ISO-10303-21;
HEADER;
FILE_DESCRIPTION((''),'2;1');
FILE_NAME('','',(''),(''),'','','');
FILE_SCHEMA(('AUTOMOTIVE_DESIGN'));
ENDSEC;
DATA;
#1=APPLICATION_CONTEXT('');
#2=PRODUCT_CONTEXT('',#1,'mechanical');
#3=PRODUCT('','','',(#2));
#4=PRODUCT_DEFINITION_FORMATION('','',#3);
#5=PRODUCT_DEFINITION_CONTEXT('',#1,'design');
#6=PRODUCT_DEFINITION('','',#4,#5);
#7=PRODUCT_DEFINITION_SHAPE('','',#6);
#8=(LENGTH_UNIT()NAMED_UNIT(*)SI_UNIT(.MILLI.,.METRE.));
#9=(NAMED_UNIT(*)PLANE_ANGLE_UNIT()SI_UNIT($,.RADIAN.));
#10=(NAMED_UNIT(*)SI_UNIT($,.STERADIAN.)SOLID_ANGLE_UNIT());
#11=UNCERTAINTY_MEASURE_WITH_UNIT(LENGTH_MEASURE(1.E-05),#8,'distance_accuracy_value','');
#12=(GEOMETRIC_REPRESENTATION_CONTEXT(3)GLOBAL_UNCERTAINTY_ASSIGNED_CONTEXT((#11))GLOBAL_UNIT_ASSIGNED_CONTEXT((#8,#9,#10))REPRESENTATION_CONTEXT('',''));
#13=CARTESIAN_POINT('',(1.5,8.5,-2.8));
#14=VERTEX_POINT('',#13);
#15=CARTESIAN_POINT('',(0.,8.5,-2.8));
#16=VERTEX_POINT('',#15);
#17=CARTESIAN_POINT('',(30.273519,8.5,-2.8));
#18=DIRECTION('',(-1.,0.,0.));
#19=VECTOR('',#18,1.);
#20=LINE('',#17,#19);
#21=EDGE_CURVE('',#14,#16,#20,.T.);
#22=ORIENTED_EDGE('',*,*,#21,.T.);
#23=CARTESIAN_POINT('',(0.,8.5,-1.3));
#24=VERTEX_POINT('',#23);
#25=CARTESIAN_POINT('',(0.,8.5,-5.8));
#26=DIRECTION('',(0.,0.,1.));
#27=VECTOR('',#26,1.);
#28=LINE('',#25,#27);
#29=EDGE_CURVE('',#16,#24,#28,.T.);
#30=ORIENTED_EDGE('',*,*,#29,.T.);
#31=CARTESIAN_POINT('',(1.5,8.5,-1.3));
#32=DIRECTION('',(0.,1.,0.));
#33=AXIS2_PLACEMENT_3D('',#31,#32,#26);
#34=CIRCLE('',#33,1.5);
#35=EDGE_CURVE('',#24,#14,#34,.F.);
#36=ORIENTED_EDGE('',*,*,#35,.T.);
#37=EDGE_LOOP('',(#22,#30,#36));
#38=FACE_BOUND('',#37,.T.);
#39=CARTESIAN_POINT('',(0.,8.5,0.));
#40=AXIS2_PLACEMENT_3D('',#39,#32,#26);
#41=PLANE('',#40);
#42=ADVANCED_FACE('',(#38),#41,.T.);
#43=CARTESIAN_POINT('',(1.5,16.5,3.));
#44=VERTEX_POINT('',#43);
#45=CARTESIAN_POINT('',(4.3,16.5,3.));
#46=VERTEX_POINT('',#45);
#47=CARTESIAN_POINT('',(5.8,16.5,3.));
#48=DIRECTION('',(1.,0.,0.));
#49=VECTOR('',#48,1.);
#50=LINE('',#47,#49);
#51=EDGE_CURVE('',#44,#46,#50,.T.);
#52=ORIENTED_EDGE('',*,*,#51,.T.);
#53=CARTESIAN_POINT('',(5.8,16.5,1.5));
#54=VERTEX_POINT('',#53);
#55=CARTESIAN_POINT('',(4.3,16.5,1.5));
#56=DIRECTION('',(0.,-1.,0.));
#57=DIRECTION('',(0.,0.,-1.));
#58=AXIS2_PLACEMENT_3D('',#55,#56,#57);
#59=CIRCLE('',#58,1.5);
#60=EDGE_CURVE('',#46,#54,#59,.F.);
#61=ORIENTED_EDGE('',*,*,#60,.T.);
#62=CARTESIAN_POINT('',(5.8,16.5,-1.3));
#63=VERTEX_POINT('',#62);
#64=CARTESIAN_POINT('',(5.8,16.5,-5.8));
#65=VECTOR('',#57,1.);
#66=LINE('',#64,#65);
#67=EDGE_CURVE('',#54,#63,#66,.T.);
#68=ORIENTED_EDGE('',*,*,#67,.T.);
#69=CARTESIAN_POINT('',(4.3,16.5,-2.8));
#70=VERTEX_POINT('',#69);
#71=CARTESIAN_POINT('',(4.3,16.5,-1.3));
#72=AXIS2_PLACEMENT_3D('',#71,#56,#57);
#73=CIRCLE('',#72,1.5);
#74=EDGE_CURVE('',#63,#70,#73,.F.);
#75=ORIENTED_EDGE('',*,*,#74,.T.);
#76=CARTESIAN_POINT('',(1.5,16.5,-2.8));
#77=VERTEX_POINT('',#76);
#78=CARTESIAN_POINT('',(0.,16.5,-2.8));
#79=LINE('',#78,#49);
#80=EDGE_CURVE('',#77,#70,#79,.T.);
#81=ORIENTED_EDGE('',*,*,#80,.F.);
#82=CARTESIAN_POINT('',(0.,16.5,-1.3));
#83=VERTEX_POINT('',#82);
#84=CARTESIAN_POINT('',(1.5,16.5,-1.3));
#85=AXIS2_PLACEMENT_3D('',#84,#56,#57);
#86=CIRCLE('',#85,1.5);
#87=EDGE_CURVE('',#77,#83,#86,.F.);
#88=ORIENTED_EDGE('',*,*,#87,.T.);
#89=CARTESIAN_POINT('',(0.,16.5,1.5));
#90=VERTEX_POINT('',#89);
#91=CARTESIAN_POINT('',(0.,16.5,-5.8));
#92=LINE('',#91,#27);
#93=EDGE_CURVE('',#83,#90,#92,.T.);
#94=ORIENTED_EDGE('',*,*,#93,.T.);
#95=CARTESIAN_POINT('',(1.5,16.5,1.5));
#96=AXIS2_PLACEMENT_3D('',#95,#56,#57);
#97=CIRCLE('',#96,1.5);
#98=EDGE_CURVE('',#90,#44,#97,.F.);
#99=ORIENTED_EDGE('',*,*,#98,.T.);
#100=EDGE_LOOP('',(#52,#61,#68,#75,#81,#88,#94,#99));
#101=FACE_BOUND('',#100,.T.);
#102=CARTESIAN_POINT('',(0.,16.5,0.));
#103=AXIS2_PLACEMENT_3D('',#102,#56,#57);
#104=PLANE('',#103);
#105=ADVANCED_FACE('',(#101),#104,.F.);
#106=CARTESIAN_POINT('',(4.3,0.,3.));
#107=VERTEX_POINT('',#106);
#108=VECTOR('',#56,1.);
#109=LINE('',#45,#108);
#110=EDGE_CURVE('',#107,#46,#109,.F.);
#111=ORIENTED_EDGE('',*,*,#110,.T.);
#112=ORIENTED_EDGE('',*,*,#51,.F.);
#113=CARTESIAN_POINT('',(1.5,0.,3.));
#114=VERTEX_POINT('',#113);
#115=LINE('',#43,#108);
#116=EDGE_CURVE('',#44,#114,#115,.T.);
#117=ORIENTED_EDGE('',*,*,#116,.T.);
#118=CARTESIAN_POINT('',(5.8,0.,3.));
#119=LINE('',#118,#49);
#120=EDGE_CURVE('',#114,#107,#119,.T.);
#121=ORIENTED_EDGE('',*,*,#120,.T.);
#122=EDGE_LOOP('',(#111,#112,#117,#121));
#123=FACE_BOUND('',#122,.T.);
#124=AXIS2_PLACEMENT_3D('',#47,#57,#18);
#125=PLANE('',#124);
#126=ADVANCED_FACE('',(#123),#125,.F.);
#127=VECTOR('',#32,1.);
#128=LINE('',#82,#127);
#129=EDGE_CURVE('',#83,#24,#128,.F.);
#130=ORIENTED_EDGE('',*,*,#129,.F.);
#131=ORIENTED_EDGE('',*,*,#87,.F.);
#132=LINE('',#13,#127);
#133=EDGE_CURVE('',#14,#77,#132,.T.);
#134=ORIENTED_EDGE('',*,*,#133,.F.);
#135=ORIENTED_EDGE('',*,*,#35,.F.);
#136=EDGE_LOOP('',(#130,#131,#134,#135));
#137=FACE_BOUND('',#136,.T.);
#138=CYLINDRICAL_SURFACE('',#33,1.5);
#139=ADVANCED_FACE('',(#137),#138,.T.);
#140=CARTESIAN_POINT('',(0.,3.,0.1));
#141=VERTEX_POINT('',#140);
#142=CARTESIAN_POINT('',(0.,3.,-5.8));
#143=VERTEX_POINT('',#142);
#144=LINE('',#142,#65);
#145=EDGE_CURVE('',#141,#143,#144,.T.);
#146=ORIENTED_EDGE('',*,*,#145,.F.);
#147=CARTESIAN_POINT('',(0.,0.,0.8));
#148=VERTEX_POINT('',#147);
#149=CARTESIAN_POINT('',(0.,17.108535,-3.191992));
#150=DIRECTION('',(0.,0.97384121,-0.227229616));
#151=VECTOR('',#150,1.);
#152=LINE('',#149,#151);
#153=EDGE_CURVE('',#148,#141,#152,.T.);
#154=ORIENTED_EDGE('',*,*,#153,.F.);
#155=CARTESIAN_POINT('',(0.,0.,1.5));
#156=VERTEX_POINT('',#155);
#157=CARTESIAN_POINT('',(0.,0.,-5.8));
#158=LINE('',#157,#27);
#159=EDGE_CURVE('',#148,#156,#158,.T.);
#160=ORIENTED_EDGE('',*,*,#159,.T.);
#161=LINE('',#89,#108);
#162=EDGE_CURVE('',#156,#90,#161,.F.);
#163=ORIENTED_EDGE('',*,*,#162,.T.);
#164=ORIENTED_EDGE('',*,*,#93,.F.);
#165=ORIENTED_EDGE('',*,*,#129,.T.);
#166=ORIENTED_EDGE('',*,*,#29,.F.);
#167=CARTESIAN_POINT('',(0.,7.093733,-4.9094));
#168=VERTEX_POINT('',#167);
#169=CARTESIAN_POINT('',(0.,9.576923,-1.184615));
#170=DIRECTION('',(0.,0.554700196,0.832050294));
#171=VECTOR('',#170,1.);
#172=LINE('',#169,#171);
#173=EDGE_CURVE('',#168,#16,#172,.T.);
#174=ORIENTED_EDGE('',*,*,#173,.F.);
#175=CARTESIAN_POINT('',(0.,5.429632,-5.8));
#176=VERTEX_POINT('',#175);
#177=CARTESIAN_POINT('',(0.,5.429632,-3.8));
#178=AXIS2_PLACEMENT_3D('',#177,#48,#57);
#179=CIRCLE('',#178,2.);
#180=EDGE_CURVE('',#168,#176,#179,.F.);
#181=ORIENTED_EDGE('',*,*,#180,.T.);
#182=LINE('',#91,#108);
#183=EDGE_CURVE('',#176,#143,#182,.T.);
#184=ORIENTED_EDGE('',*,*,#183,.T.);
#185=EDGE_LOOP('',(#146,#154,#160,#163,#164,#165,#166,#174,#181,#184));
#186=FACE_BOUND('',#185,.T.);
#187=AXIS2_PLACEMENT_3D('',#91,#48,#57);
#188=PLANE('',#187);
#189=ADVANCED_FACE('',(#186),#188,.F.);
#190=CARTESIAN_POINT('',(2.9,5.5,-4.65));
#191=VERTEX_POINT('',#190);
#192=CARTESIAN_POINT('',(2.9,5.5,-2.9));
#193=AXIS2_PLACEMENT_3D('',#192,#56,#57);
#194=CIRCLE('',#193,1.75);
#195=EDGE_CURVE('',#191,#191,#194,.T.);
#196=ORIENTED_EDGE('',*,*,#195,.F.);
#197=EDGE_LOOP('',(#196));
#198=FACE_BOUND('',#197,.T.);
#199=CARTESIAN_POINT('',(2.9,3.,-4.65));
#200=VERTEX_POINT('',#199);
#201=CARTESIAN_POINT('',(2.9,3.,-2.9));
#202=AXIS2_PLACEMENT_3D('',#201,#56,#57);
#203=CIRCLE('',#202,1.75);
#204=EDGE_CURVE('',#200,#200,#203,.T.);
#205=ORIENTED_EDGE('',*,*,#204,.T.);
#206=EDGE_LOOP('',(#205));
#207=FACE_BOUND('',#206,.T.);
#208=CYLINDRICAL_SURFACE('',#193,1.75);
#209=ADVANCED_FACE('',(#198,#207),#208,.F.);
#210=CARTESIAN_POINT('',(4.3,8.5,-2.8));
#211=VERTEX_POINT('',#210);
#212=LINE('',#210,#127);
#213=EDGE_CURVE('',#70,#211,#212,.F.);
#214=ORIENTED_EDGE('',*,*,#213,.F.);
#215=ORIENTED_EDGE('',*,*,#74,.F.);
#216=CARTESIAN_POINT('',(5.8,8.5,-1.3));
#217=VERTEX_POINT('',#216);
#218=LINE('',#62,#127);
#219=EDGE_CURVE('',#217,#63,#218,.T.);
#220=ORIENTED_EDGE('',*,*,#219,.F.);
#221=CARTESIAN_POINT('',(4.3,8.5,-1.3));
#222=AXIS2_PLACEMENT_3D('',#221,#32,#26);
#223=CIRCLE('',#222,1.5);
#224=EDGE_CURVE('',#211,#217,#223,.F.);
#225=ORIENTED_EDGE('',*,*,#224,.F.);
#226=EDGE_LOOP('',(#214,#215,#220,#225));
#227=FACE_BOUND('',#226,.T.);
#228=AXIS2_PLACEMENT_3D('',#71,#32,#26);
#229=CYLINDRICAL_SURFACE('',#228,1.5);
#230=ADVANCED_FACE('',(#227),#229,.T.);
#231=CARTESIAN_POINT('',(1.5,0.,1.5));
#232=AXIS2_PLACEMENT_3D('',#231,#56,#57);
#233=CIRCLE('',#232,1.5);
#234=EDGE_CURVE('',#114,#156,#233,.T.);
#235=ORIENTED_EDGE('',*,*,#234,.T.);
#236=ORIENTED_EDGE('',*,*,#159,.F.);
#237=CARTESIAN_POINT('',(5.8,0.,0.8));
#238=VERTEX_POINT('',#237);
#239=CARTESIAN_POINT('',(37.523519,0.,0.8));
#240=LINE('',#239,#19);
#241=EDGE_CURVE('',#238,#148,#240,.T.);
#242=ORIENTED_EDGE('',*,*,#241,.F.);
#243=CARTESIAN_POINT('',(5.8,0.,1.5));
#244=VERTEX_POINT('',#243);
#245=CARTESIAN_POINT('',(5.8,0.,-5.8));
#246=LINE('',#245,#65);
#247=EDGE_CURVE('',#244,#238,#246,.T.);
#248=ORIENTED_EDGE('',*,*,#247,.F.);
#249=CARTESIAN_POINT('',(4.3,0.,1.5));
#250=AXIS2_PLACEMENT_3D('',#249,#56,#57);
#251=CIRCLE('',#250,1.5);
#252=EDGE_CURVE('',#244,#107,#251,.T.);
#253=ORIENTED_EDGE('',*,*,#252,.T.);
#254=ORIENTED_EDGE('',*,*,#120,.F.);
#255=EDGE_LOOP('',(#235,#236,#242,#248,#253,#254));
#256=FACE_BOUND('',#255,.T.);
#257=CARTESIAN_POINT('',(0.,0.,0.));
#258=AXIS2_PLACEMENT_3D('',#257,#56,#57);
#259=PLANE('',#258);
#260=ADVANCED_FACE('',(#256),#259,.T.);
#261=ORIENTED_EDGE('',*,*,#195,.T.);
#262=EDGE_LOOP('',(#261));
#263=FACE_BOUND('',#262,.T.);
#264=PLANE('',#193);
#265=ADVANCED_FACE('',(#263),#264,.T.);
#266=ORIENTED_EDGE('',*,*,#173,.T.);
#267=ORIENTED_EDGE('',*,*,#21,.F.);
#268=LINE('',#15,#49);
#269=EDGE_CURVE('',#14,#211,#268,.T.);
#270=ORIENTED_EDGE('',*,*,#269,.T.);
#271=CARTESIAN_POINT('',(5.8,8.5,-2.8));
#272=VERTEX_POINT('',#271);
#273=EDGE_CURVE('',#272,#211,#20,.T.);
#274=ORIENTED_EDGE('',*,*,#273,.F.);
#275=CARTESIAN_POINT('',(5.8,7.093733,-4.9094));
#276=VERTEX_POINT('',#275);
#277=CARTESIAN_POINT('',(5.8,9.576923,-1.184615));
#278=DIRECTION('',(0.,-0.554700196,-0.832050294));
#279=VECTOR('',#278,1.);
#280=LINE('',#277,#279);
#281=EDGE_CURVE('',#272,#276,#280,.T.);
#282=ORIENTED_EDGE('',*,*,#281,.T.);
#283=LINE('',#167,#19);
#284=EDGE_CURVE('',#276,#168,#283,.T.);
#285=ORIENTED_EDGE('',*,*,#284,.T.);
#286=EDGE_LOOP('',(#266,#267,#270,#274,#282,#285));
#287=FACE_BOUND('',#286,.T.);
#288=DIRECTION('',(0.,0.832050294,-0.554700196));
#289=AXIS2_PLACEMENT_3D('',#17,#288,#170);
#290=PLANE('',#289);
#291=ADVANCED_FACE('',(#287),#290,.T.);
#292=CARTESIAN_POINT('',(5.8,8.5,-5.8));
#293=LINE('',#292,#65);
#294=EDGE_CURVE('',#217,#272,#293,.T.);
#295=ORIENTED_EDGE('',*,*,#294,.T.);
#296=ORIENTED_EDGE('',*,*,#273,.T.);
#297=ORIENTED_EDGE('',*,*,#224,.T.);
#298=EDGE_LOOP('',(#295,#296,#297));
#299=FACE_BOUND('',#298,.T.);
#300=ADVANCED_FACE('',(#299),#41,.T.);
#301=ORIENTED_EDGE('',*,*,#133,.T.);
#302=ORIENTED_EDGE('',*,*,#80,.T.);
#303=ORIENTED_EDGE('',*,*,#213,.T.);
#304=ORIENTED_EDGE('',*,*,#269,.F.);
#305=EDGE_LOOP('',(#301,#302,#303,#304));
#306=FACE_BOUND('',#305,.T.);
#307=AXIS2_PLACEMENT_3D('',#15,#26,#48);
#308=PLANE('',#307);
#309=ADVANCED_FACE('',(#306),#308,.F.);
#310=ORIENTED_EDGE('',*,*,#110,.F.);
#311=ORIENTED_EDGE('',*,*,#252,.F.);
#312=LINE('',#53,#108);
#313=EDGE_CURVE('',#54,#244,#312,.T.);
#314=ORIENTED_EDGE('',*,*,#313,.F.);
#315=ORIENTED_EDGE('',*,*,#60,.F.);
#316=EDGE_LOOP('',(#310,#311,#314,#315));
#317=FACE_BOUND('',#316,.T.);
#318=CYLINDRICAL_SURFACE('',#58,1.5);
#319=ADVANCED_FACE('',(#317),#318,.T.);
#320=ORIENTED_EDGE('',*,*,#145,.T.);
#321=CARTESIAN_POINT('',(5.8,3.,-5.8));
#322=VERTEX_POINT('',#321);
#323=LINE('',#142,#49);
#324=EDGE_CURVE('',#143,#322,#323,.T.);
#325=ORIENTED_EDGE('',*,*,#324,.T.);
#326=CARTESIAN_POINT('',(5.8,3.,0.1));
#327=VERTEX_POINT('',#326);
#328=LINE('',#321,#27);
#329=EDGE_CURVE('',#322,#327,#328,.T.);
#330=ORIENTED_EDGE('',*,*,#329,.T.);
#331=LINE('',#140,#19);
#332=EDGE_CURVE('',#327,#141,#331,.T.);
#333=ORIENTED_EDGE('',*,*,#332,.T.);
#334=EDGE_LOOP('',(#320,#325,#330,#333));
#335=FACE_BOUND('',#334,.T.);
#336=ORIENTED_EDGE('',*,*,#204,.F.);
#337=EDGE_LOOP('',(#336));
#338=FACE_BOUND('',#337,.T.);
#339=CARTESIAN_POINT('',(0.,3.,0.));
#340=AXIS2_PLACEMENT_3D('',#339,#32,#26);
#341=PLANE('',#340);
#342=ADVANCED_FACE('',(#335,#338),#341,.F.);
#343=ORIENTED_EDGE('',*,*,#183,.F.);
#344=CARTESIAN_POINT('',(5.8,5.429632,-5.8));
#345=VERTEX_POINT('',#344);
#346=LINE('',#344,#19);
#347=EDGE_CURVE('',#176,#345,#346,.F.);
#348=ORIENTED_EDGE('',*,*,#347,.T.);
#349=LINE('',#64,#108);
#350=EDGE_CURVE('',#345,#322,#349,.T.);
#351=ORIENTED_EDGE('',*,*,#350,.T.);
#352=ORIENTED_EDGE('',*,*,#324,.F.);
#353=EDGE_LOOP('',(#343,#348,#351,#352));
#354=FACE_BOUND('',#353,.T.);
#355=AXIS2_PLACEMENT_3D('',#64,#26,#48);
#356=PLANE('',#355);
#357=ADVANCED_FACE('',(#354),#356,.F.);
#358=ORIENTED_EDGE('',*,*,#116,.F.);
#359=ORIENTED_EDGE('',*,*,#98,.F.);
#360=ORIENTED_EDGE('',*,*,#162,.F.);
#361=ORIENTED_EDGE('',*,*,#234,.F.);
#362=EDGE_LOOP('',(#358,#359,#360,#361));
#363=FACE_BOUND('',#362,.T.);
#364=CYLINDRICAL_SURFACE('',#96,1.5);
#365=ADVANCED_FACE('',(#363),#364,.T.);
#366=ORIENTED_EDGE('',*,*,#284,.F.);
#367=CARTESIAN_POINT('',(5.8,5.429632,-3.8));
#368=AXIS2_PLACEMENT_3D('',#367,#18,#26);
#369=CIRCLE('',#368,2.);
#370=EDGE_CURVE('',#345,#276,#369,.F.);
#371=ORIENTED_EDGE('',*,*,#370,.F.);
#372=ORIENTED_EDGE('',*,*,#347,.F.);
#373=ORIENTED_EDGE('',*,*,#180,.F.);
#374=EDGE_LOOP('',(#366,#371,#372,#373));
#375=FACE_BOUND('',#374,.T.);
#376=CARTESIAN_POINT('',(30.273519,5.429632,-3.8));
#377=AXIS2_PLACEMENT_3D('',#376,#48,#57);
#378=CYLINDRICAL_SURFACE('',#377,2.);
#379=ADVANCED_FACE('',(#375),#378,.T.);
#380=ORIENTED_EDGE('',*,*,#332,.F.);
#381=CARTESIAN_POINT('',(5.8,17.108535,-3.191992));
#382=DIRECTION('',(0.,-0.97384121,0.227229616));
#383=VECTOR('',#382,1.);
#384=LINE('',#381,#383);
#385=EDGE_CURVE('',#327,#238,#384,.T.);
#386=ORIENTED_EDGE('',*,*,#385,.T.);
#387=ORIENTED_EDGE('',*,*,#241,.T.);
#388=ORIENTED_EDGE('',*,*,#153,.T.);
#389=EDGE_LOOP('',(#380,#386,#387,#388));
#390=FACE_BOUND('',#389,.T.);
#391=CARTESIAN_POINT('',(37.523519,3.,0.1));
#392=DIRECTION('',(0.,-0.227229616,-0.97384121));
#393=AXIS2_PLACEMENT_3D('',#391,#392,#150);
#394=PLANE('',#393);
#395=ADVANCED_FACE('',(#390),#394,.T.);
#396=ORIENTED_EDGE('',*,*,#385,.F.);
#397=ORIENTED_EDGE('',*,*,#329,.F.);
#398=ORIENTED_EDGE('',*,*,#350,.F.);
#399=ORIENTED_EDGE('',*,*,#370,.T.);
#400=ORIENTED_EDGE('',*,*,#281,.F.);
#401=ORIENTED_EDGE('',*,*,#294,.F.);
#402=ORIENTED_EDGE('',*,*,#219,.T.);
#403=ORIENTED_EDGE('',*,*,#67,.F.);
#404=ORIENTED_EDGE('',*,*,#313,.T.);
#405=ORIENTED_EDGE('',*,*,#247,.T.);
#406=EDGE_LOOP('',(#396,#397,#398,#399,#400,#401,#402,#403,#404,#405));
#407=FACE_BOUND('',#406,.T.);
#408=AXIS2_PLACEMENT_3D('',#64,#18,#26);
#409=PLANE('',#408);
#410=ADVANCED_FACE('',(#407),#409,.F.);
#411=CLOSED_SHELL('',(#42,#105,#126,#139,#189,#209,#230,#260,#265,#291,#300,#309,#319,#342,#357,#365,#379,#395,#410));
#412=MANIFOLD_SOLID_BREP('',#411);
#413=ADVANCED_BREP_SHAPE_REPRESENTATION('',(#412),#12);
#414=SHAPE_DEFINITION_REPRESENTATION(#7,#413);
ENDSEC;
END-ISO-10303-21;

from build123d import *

# Parameters (mm, degrees)
SKETCH_2_W               = 5.8
SKETCH_2_H               = 8.8
EXTRUDE_1_DEPTH          = 16.5
SKETCH_3_W               = 5.8
SKETCH_3_H               = 5.9
CUT_EXTRUDE_1_DEPTH      = 3
SKETCH_4_R               = 1.75
CUT_EXTRUDE_2_DEPTH      = 2.5
SKETCH_5_W               = 5.8
SKETCH_5_H               = 3
CUT_EXTRUDE_3_DEPTH      = 8
FILLET_1_R               = 1.5
CUT_EXTRUDE_4_DEPTH      = 19.426339843
CUT_EXTRUDE_4_DEPTH_BACK = 19.426339843
FILLET_2_R               = 2
CUT_EXTRUDE_5_DEPTH      = 19.426339843
CUT_EXTRUDE_5_DEPTH_BACK = 19.426339843


with BuildPart() as part:
    # ｽｹｯﾁ2 → ﾎﾞｽ - 押し出し1 (new body)
    with BuildSketch(Plane(origin=(0, 0, 0), x_dir=(1, 0, 0), z_dir=(0, 1, 0))):
        with Locations((2.9, 1.4)):
            Rectangle(SKETCH_2_W, SKETCH_2_H)
    extrude(amount=EXTRUDE_1_DEPTH)

    # ｽｹｯﾁ3 → ｶｯﾄ - 押し出し1 (cut)
    with BuildSketch(Plane.XZ):
        with Locations((2.9, -2.85)):
            Rectangle(SKETCH_3_W, SKETCH_3_H)
    extrude(amount=-CUT_EXTRUDE_1_DEPTH, mode=Mode.SUBTRACT)

    # ｽｹｯﾁ4 → ｶｯﾄ - 押し出し2 (cut)
    with BuildSketch(Plane.XZ.offset(-3)):
        with Locations(Location((2.9, -2.9, 0), (0, 0, 270))):
            Circle(SKETCH_4_R)
    extrude(amount=-CUT_EXTRUDE_2_DEPTH, mode=Mode.SUBTRACT)

    # ｽｹｯﾁ5 → ｶｯﾄ - 押し出し3 (cut)
    with BuildSketch(Plane(origin=(0, 16.5, 0), x_dir=(1, 0, 0), z_dir=(0, 1, 0))):
        with Locations((2.9, 4.3)):
            Rectangle(SKETCH_5_W, SKETCH_5_H)
    extrude(amount=-CUT_EXTRUDE_3_DEPTH, mode=Mode.SUBTRACT)

    # ﾌｨﾚｯﾄ1
    fillet_1_edges = [part.edges().sort_by_distance(p)[0] for p in [
        (0, 12.5, -2.8),
        (5.8, 12.5, -2.8),
        (5.8, 8.25, 3),
        (0, 8.25, 3),
    ]]
    fillet(fillet_1_edges, radius=FILLET_1_R)

    # ｽｹｯﾁ9 → ｶｯﾄ - 押し出し4 (cut, two sides: drawn at the far end of the back side and taken through both)
    with BuildSketch(Plane(origin=(5.8, 0, 0), x_dir=(0, 0, -1), z_dir=(1, 0, 0)).offset(-CUT_EXTRUDE_4_DEPTH_BACK)):
        Polygon((5.8, 8.5), (2.8, 8.5), (5.8, 6.5), align=None)
    extrude(amount=CUT_EXTRUDE_4_DEPTH + CUT_EXTRUDE_4_DEPTH_BACK, mode=Mode.SUBTRACT)

    # ﾌｨﾚｯﾄ2
    fillet_2_edges = [part.edges().sort_by_distance(p)[0] for p in [
        (2.9, 6.5, -5.8),
    ]]
    fillet(fillet_2_edges, radius=FILLET_2_R)

    # ｽｹｯﾁ10 → ｶｯﾄ - 押し出し5 (cut, two sides: drawn at the far end of the back side and taken through both)
    with BuildSketch(Plane(origin=(5.8, 0, 0), x_dir=(0, 0, -1), z_dir=(1, 0, 0)).offset(-CUT_EXTRUDE_5_DEPTH_BACK)):
        Polygon((-0.1, 0), (-0.1, 3), (-0.8, 0), align=None)
    extrude(amount=CUT_EXTRUDE_5_DEPTH + CUT_EXTRUDE_5_DEPTH_BACK, mode=Mode.SUBTRACT)


solid = part.part
